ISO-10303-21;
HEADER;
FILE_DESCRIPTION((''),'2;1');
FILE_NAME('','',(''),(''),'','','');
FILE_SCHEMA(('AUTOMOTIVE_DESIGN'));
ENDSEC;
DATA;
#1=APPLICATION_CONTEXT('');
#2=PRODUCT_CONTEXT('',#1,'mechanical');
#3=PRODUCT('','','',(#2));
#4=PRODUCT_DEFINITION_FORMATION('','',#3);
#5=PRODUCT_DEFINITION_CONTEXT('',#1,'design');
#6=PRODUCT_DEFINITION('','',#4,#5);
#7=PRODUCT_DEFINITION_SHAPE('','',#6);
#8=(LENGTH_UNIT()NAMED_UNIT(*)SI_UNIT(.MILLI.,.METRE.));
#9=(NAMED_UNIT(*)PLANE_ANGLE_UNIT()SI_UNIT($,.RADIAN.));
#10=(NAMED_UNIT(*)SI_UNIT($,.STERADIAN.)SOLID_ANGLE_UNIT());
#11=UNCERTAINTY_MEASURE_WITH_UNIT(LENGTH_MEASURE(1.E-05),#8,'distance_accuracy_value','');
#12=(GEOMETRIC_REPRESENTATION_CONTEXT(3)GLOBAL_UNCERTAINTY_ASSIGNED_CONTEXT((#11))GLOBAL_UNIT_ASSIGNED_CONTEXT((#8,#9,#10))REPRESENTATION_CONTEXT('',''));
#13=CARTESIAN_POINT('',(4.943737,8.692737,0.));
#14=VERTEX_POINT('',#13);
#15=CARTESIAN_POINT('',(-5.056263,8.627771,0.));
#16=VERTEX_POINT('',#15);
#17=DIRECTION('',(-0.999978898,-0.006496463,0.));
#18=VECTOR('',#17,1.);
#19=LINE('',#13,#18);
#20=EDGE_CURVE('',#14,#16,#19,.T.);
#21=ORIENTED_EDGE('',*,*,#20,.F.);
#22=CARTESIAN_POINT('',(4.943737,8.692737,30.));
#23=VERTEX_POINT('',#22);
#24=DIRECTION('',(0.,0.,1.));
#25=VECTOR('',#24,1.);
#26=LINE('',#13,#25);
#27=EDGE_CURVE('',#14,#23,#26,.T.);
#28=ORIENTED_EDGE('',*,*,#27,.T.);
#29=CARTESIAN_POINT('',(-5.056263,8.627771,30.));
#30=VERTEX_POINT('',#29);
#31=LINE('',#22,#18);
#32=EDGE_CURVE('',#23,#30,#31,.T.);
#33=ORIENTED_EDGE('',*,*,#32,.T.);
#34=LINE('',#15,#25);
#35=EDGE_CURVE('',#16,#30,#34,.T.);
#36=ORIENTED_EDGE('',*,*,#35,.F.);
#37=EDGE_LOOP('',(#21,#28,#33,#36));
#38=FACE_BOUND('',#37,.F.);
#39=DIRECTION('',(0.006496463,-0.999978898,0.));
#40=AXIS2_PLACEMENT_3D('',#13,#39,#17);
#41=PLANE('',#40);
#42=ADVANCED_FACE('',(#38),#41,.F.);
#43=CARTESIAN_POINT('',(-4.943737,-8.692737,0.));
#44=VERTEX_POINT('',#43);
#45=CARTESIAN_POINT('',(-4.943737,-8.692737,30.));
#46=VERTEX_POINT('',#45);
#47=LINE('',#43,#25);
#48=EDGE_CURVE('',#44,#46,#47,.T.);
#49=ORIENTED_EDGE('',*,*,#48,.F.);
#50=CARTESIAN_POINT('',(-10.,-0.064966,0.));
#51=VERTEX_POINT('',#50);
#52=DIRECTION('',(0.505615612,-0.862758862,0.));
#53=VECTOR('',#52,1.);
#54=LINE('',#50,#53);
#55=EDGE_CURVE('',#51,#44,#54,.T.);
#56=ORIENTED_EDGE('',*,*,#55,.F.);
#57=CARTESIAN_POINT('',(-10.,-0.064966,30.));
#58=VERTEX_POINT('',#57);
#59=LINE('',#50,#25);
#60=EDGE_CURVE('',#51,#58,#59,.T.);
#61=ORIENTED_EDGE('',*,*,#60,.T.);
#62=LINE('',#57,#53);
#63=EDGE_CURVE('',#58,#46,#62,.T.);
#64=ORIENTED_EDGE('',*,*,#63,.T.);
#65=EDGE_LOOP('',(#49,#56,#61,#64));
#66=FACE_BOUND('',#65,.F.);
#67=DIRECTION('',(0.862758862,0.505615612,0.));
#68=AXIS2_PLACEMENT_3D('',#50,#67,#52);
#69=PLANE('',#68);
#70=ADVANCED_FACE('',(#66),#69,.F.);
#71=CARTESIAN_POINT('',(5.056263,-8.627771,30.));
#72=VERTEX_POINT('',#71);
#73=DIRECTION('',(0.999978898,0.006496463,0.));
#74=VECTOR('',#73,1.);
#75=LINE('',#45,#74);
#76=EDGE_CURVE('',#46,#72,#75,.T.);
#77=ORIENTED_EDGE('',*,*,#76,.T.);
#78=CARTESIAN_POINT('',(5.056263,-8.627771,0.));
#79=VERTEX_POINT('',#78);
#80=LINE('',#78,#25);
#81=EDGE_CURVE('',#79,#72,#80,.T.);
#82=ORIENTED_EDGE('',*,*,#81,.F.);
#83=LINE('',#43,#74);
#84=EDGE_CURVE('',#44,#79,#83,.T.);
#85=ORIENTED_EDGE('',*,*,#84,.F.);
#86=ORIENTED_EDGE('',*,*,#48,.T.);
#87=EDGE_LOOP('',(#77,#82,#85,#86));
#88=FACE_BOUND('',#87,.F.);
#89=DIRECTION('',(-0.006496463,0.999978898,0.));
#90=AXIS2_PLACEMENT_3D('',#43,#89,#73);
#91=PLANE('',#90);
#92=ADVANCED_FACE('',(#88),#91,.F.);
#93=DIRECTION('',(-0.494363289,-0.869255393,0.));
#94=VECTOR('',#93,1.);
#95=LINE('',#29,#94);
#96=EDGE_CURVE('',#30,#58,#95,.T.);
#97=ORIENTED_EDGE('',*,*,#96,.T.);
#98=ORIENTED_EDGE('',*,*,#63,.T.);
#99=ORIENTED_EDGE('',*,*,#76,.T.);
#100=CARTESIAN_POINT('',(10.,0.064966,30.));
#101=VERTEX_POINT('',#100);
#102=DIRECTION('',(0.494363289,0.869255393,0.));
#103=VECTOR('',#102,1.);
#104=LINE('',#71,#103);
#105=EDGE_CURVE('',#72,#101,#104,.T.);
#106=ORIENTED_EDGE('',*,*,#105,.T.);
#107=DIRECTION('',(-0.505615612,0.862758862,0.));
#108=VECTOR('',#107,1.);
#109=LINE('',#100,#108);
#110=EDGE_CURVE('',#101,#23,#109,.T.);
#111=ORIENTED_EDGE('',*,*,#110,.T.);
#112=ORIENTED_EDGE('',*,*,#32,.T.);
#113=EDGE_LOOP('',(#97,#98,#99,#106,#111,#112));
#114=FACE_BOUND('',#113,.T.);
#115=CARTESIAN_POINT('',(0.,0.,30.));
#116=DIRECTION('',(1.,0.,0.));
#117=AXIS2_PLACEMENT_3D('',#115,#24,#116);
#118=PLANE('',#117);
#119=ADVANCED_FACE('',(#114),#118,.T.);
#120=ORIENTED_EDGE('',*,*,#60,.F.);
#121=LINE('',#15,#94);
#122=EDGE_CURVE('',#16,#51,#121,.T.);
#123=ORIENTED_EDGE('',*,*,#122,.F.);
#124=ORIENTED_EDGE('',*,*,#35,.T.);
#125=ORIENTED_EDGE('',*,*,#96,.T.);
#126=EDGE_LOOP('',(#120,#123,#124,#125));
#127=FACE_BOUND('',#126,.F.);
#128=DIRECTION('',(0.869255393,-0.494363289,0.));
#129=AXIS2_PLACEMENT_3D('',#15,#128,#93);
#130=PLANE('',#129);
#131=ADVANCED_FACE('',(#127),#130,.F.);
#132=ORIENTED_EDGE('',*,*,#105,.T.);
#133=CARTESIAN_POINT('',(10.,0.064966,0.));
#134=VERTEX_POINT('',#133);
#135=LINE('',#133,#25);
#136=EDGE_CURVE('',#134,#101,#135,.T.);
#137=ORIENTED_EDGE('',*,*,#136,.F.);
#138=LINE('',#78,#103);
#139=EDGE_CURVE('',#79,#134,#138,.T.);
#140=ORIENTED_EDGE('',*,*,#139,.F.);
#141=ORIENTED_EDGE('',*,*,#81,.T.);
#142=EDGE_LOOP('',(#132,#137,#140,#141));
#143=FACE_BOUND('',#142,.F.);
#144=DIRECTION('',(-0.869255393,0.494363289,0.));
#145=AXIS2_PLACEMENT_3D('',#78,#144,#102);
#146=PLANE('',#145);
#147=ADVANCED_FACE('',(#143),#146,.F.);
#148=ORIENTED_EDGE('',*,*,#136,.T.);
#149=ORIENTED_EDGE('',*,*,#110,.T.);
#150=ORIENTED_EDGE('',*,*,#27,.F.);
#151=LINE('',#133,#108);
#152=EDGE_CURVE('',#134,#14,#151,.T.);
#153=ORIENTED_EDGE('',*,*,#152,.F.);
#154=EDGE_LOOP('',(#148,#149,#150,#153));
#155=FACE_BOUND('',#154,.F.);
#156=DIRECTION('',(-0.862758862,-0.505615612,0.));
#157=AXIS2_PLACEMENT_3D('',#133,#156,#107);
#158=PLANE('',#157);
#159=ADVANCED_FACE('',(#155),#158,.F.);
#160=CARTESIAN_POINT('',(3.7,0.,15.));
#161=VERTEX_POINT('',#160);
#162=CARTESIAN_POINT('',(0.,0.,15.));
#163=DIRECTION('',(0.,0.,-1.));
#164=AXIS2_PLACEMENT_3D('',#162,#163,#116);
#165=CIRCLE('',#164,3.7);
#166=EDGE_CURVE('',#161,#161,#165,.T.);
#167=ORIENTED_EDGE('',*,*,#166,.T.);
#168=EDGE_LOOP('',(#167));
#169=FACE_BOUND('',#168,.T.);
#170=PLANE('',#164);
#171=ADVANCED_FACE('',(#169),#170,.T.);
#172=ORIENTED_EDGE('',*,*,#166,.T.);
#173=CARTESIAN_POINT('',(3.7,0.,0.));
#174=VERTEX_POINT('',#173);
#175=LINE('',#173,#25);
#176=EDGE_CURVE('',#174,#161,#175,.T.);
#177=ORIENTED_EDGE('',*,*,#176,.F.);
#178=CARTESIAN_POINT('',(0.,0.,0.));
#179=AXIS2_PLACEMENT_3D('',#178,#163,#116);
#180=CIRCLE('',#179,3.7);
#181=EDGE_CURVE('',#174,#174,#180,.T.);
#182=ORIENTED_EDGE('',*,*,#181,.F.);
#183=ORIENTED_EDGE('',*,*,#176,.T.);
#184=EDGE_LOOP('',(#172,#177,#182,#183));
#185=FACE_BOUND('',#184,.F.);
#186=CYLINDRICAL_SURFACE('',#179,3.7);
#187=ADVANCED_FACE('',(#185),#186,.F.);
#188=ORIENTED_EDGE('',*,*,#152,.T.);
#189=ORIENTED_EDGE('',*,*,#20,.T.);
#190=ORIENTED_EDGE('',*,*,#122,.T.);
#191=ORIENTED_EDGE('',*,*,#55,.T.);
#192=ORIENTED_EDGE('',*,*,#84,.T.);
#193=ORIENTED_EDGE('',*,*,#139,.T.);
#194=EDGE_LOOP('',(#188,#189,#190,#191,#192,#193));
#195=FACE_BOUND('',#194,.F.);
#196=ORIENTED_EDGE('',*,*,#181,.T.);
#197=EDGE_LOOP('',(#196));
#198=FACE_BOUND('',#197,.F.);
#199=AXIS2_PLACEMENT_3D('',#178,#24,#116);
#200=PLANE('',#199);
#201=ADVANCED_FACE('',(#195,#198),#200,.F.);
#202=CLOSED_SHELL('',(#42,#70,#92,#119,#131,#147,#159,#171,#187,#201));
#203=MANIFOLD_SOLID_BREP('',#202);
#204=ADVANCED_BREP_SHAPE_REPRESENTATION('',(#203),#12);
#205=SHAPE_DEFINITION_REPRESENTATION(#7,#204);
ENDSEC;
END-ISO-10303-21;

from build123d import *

# Parameters (mm, degrees)
F1_DEPTH = 30
F2_R     = 3.7
F3_DEPTH = 15


with BuildPart() as f1:
    # F0 (on Top) → F1 (new body)
    with BuildSketch(Plane.XY):
        Polygon((4.943737, 8.692737), (-5.056263, 8.627771), (-10, -0.064966), (-4.943737, -8.692737), (5.056263, -8.627771), (10, 0.064966), align=None)
    extrude(amount=F1_DEPTH)

    # F2 (on face) → F3 (cut)
    with BuildSketch(Plane(origin=(0, 0, 0), x_dir=(1, 0, 0), z_dir=(0, 0, -1))):
        Circle(F2_R)
    extrude(amount=-F3_DEPTH, mode=Mode.SUBTRACT)


solid = f1.part
